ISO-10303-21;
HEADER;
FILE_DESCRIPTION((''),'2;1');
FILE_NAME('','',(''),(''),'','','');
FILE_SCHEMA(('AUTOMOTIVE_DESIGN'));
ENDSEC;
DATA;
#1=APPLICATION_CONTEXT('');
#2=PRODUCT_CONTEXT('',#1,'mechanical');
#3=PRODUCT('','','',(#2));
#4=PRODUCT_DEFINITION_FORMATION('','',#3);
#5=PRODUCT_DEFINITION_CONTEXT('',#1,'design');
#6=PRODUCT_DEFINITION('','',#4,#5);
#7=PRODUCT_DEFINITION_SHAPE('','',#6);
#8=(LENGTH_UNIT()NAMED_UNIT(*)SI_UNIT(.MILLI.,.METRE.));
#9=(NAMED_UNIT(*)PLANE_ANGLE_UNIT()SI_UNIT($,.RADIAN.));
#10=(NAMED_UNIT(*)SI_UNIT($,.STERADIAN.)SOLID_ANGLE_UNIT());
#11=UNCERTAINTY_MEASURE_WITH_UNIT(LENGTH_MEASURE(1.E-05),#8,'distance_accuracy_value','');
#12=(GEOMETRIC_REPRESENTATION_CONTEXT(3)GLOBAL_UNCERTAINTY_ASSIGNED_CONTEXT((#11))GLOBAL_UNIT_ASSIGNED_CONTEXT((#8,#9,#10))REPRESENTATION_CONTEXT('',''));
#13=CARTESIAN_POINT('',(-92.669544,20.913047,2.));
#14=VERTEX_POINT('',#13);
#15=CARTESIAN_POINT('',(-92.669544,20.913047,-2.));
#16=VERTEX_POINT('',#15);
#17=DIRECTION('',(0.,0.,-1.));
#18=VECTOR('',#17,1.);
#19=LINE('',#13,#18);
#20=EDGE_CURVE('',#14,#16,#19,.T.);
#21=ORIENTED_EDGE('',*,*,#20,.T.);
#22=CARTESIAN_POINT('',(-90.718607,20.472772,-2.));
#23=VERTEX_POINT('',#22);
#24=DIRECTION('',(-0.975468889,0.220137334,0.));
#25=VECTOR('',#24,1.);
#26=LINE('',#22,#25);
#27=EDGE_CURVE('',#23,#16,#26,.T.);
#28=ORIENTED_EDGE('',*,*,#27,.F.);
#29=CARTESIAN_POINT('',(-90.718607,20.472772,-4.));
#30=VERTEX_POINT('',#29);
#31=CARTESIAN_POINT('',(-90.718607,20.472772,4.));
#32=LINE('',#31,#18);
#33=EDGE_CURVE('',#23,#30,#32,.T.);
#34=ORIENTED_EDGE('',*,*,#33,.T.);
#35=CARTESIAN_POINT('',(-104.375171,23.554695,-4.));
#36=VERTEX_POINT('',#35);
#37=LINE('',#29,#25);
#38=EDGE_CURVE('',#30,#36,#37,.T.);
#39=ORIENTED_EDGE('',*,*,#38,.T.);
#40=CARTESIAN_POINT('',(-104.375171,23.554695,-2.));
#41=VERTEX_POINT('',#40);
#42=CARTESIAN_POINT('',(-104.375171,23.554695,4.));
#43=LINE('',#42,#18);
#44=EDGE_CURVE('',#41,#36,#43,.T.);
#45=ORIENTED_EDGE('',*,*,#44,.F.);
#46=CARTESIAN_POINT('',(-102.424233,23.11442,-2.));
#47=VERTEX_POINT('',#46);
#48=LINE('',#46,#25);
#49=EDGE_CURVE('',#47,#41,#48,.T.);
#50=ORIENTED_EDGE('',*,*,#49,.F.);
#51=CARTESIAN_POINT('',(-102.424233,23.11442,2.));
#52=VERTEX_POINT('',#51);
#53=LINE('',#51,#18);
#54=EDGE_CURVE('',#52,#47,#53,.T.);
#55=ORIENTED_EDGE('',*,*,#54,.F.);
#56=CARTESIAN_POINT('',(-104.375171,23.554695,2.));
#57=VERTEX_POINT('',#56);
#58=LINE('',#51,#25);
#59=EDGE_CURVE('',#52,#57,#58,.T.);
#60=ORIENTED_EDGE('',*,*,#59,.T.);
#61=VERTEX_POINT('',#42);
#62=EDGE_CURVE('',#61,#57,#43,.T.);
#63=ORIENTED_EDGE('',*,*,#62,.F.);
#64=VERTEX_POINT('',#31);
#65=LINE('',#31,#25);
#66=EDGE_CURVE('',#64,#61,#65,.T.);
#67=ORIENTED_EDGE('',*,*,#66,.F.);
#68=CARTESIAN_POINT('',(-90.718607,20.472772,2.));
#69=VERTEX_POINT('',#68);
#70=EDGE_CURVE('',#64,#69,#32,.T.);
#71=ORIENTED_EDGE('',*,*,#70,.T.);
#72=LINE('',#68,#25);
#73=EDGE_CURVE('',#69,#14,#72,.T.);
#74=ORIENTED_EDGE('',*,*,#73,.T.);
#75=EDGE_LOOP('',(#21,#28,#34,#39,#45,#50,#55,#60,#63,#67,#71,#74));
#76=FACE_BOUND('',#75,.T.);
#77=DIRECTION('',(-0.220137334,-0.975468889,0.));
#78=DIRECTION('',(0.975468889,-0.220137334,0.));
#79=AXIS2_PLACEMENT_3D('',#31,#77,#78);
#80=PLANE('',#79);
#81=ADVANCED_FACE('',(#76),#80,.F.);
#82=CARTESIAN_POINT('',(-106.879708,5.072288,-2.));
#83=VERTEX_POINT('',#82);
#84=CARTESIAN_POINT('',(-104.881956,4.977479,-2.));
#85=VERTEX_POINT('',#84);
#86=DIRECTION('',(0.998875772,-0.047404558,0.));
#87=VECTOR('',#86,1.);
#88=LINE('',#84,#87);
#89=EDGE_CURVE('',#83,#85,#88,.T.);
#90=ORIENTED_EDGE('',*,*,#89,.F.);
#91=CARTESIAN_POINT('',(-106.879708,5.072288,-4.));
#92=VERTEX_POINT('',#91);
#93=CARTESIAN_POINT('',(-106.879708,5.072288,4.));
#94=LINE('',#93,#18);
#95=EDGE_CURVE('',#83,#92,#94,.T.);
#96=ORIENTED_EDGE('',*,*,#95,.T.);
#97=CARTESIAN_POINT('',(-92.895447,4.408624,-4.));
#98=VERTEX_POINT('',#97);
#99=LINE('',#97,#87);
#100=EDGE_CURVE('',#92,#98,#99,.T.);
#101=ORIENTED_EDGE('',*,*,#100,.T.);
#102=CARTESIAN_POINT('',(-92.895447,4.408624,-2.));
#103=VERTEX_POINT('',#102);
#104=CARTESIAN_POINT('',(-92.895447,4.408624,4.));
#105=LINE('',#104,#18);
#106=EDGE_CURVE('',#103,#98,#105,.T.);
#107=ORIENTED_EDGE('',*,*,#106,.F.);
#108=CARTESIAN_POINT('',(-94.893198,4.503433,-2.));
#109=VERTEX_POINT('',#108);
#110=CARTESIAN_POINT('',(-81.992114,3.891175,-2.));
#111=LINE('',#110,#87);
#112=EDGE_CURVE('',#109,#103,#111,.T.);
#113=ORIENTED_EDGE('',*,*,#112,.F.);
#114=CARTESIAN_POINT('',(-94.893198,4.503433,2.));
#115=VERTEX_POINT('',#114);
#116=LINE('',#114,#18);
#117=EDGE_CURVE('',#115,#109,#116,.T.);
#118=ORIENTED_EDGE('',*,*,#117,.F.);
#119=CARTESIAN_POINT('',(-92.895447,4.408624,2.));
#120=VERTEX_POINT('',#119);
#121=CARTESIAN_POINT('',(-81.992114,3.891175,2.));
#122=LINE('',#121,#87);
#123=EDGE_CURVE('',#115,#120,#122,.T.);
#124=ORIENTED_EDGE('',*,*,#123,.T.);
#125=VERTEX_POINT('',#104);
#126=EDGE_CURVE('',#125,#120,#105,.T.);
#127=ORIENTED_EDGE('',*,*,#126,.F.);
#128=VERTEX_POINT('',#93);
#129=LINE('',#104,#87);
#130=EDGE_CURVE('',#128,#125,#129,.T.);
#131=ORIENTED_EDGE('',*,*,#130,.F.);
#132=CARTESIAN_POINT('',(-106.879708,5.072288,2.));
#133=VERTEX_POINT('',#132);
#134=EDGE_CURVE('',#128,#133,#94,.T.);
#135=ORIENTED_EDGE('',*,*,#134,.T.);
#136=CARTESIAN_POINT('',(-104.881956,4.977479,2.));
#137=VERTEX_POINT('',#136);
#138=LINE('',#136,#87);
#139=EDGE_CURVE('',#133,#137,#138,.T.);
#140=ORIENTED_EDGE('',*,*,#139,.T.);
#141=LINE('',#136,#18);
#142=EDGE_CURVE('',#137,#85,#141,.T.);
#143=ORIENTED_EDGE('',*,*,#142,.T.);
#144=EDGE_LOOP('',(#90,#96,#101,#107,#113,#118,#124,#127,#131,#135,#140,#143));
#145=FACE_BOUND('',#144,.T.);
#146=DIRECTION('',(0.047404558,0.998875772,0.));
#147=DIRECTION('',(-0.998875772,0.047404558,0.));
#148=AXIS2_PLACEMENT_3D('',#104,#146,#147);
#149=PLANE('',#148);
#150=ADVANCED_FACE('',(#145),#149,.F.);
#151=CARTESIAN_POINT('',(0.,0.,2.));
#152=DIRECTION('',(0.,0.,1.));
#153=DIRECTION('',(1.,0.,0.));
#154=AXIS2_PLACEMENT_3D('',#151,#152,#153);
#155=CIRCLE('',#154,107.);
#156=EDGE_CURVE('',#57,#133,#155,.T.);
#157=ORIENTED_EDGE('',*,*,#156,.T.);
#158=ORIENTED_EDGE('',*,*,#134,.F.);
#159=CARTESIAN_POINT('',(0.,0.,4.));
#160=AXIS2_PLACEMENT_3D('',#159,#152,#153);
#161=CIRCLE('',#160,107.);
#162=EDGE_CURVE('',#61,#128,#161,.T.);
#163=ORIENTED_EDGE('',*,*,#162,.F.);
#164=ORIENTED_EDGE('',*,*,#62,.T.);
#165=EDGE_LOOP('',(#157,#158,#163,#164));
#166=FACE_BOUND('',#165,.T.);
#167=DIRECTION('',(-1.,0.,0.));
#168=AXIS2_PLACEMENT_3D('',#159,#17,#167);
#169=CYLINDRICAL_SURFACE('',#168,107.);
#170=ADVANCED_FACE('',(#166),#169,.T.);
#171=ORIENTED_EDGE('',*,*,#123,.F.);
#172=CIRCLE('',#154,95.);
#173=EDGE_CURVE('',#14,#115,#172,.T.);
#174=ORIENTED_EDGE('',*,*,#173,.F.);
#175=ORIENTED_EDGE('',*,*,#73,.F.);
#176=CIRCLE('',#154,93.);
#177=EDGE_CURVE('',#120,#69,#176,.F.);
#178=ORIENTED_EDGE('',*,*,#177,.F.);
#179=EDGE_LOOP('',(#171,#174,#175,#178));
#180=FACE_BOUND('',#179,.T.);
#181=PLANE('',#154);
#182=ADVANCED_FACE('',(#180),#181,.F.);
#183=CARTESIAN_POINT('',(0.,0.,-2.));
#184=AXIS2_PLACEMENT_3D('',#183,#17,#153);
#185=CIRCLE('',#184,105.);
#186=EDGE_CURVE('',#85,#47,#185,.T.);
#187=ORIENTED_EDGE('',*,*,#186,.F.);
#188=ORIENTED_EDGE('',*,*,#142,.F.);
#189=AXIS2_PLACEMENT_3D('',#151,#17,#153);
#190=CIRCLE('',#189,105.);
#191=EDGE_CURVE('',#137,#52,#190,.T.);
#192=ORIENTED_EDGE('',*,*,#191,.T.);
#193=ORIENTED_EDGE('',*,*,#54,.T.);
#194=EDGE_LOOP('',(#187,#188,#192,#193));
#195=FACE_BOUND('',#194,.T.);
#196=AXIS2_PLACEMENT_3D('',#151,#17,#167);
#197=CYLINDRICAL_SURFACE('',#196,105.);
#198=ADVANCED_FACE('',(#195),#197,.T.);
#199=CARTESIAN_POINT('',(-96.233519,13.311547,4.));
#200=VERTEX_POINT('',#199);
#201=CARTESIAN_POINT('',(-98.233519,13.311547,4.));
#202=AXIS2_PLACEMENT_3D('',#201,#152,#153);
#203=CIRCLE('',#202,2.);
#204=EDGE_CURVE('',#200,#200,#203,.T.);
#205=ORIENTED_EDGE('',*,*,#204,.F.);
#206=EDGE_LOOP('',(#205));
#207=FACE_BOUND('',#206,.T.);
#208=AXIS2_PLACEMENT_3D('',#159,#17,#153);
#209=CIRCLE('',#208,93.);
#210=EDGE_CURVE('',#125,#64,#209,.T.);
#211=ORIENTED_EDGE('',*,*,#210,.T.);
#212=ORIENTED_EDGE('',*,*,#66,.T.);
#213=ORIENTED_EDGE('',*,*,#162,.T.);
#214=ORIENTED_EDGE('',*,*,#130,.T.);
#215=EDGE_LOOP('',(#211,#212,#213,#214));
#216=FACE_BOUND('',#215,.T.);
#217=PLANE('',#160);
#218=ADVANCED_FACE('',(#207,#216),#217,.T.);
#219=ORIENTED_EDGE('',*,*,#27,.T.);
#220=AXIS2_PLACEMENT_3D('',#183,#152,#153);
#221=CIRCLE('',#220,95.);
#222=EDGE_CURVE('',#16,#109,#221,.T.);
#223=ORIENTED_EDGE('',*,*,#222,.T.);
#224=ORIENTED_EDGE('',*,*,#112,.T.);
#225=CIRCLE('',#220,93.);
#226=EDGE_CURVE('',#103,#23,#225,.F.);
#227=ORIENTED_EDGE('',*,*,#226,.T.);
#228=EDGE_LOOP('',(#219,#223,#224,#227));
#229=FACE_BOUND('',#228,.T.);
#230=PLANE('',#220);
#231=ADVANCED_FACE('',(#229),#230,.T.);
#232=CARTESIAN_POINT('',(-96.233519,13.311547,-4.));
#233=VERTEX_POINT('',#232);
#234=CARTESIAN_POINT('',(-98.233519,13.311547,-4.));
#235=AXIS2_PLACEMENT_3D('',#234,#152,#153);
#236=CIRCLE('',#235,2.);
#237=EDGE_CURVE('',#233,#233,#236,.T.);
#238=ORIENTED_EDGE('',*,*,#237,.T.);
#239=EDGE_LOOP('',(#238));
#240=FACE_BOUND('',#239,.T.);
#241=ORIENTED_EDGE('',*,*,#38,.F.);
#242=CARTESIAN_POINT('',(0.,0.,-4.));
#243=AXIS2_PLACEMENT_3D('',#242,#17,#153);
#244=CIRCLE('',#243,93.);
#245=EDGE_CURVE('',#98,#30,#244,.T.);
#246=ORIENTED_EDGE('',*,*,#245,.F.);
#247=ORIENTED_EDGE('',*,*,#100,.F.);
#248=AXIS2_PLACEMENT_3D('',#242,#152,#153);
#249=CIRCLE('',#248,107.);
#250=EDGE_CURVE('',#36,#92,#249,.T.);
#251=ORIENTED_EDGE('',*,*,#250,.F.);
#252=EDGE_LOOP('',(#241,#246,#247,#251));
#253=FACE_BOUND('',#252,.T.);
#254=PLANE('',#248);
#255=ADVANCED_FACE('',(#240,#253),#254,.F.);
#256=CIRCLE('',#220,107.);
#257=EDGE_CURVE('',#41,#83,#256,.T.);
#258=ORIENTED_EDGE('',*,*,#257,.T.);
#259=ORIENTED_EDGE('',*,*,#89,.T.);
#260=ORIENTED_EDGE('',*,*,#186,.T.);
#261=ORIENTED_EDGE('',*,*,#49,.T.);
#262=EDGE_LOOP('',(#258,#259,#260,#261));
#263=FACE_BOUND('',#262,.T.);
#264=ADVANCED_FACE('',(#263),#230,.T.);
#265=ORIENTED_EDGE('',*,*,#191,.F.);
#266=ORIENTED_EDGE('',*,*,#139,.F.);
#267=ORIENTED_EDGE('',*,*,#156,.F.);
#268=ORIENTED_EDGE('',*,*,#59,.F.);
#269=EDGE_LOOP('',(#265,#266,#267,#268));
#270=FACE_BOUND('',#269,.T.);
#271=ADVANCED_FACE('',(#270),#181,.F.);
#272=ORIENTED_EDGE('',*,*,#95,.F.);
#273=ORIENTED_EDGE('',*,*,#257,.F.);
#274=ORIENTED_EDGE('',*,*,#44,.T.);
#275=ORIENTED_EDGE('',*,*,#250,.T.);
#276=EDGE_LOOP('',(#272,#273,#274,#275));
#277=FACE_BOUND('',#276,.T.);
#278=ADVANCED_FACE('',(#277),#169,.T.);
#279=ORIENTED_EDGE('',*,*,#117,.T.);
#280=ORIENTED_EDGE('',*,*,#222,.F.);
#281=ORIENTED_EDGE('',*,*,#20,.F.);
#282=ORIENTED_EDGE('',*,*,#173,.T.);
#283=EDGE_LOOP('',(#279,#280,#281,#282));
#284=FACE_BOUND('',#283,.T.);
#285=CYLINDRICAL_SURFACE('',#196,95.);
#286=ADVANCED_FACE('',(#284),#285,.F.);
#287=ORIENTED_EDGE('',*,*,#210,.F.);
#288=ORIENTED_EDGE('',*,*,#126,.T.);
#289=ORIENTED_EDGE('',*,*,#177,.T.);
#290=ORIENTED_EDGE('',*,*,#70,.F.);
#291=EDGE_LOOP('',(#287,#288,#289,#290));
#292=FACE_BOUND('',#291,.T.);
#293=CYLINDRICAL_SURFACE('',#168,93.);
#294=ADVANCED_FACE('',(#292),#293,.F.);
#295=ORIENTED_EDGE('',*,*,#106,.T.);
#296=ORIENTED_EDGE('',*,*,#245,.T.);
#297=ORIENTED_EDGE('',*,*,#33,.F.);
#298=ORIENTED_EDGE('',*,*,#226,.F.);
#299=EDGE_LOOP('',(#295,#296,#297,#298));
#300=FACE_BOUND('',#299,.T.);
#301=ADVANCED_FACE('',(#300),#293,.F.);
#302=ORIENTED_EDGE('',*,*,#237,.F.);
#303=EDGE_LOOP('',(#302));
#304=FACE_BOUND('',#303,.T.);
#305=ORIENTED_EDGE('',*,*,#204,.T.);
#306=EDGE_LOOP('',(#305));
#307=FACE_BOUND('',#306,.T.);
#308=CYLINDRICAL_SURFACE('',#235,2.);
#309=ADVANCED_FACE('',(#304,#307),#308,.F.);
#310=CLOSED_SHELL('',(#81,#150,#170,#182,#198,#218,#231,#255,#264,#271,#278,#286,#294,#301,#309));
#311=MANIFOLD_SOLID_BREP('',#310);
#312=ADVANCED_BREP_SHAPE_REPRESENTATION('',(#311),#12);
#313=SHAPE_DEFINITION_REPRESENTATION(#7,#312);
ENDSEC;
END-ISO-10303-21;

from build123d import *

# Parameters (mm, degrees)
EXTRUDE_1_DEPTH          = 4
CUT_EXTRUDE_1_DEPTH      = 2
CUT_EXTRUDE_1_DEPTH_BACK = 2
CUT_EXTRUDE_2_DEPTH      = 9


with BuildPart() as part:
    # 草图1 → 凸台-拉伸1 (new body, symmetric)
    with BuildSketch(Plane.XY):
        with BuildLine():
            Line((-92.895446795, 4.408623913), (-106.879707603, 5.072287728))
            ThreePointArc((-106.879707603, 5.072287728), (-106.030919043, 14.368166442), (-104.375171166, 23.554694734))
            Line((-104.375171166, 23.554694734), (-90.718606715, 20.472772059))
            ThreePointArc((-90.718606715, 20.472772059), (-92.157714682, 12.488219431), (-92.895446795, 4.408623913))
        make_face()
    extrude(amount=EXTRUDE_1_DEPTH, both=True)

    # 草图2 → 切除-拉伸1 (cut, two sides)
    with BuildSketch(Plane.XY) as cut_extrude_1_sk:
        with BuildLine():
            Line((-104.881956059, 4.977478611), (-106.879707603, 5.072287728))
            ThreePointArc((-106.879707603, 5.072287728), (-106.030919043, 14.368166442), (-104.375171166, 23.554694734))
            Line((-104.375171166, 23.554694734), (-102.424233387, 23.114420066))
            ThreePointArc((-102.424233387, 23.114420066), (-104.049032706, 14.099602583), (-104.881956059, 4.977478611))
        make_face()
        with BuildLine():
            Line((-80.070774139, 18.069839991), (-92.669544493, 20.913046727))
            ThreePointArc((-92.669544493, 20.913046727), (-94.139601019, 12.75678329), (-94.893198339, 4.503433029))
            Line((-94.893198339, 4.503433029), (-81.992113947, 3.891174505))
            ThreePointArc((-81.992113947, 3.891174505), (-81.340970995, 11.022451002), (-80.070774139, 18.069839991))
        make_face()
    extrude(amount=CUT_EXTRUDE_1_DEPTH, mode=Mode.SUBTRACT)
    extrude(cut_extrude_1_sk.sketch, amount=-CUT_EXTRUDE_1_DEPTH_BACK, mode=Mode.SUBTRACT)

    # 草图3 → 切除-拉伸2 (cut, through all)
    with BuildSketch(Plane.XY.offset(4)):
        with BuildLine():
            ThreePointArc((-96.785643699, 14.691278047), (-97.964954769, 15.293433182), (-99.261988484, 15.026845581))
            Line((-99.261988484, 15.026845581), (-98.233518627, 13.311546845))
            Line((-98.233518627, 13.311546845), (-96.785643699, 14.691278047))
        make_face()
        with BuildLine():
            Line((-98.233518627, 13.311546845), (-99.261988484, 15.026845581))
            ThreePointArc((-99.261988484, 15.026845581), (-100.215404965, 13.580110704), (-99.681393556, 11.931815643))
            Line((-99.681393556, 11.931815643), (-98.233518627, 13.311546845))
        make_face()
        with BuildLine():
            Line((-96.785643699, 14.691278047), (-98.233518627, 13.311546845))
            Line((-98.233518627, 13.311546845), (-97.205048771, 11.596248109))
            ThreePointArc((-97.205048771, 11.596248109), (-96.493268687, 12.325884558), (-96.233518627, 13.311546845))
            ThreePointArc((-96.233518627, 13.311546845), (-96.376673203, 14.054598035), (-96.785643699, 14.691278047))
        make_face()
        with BuildLine():
            Line((-97.205048771, 11.596248109), (-98.233518627, 13.311546845))
            Line((-98.233518627, 13.311546845), (-99.681393556, 11.931815643))
            ThreePointArc((-99.681393556, 11.931815643), (-98.502082486, 11.329660508), (-97.205048771, 11.596248109))
        make_face()
    extrude(amount=-CUT_EXTRUDE_2_DEPTH, mode=Mode.SUBTRACT)


solid = part.part
